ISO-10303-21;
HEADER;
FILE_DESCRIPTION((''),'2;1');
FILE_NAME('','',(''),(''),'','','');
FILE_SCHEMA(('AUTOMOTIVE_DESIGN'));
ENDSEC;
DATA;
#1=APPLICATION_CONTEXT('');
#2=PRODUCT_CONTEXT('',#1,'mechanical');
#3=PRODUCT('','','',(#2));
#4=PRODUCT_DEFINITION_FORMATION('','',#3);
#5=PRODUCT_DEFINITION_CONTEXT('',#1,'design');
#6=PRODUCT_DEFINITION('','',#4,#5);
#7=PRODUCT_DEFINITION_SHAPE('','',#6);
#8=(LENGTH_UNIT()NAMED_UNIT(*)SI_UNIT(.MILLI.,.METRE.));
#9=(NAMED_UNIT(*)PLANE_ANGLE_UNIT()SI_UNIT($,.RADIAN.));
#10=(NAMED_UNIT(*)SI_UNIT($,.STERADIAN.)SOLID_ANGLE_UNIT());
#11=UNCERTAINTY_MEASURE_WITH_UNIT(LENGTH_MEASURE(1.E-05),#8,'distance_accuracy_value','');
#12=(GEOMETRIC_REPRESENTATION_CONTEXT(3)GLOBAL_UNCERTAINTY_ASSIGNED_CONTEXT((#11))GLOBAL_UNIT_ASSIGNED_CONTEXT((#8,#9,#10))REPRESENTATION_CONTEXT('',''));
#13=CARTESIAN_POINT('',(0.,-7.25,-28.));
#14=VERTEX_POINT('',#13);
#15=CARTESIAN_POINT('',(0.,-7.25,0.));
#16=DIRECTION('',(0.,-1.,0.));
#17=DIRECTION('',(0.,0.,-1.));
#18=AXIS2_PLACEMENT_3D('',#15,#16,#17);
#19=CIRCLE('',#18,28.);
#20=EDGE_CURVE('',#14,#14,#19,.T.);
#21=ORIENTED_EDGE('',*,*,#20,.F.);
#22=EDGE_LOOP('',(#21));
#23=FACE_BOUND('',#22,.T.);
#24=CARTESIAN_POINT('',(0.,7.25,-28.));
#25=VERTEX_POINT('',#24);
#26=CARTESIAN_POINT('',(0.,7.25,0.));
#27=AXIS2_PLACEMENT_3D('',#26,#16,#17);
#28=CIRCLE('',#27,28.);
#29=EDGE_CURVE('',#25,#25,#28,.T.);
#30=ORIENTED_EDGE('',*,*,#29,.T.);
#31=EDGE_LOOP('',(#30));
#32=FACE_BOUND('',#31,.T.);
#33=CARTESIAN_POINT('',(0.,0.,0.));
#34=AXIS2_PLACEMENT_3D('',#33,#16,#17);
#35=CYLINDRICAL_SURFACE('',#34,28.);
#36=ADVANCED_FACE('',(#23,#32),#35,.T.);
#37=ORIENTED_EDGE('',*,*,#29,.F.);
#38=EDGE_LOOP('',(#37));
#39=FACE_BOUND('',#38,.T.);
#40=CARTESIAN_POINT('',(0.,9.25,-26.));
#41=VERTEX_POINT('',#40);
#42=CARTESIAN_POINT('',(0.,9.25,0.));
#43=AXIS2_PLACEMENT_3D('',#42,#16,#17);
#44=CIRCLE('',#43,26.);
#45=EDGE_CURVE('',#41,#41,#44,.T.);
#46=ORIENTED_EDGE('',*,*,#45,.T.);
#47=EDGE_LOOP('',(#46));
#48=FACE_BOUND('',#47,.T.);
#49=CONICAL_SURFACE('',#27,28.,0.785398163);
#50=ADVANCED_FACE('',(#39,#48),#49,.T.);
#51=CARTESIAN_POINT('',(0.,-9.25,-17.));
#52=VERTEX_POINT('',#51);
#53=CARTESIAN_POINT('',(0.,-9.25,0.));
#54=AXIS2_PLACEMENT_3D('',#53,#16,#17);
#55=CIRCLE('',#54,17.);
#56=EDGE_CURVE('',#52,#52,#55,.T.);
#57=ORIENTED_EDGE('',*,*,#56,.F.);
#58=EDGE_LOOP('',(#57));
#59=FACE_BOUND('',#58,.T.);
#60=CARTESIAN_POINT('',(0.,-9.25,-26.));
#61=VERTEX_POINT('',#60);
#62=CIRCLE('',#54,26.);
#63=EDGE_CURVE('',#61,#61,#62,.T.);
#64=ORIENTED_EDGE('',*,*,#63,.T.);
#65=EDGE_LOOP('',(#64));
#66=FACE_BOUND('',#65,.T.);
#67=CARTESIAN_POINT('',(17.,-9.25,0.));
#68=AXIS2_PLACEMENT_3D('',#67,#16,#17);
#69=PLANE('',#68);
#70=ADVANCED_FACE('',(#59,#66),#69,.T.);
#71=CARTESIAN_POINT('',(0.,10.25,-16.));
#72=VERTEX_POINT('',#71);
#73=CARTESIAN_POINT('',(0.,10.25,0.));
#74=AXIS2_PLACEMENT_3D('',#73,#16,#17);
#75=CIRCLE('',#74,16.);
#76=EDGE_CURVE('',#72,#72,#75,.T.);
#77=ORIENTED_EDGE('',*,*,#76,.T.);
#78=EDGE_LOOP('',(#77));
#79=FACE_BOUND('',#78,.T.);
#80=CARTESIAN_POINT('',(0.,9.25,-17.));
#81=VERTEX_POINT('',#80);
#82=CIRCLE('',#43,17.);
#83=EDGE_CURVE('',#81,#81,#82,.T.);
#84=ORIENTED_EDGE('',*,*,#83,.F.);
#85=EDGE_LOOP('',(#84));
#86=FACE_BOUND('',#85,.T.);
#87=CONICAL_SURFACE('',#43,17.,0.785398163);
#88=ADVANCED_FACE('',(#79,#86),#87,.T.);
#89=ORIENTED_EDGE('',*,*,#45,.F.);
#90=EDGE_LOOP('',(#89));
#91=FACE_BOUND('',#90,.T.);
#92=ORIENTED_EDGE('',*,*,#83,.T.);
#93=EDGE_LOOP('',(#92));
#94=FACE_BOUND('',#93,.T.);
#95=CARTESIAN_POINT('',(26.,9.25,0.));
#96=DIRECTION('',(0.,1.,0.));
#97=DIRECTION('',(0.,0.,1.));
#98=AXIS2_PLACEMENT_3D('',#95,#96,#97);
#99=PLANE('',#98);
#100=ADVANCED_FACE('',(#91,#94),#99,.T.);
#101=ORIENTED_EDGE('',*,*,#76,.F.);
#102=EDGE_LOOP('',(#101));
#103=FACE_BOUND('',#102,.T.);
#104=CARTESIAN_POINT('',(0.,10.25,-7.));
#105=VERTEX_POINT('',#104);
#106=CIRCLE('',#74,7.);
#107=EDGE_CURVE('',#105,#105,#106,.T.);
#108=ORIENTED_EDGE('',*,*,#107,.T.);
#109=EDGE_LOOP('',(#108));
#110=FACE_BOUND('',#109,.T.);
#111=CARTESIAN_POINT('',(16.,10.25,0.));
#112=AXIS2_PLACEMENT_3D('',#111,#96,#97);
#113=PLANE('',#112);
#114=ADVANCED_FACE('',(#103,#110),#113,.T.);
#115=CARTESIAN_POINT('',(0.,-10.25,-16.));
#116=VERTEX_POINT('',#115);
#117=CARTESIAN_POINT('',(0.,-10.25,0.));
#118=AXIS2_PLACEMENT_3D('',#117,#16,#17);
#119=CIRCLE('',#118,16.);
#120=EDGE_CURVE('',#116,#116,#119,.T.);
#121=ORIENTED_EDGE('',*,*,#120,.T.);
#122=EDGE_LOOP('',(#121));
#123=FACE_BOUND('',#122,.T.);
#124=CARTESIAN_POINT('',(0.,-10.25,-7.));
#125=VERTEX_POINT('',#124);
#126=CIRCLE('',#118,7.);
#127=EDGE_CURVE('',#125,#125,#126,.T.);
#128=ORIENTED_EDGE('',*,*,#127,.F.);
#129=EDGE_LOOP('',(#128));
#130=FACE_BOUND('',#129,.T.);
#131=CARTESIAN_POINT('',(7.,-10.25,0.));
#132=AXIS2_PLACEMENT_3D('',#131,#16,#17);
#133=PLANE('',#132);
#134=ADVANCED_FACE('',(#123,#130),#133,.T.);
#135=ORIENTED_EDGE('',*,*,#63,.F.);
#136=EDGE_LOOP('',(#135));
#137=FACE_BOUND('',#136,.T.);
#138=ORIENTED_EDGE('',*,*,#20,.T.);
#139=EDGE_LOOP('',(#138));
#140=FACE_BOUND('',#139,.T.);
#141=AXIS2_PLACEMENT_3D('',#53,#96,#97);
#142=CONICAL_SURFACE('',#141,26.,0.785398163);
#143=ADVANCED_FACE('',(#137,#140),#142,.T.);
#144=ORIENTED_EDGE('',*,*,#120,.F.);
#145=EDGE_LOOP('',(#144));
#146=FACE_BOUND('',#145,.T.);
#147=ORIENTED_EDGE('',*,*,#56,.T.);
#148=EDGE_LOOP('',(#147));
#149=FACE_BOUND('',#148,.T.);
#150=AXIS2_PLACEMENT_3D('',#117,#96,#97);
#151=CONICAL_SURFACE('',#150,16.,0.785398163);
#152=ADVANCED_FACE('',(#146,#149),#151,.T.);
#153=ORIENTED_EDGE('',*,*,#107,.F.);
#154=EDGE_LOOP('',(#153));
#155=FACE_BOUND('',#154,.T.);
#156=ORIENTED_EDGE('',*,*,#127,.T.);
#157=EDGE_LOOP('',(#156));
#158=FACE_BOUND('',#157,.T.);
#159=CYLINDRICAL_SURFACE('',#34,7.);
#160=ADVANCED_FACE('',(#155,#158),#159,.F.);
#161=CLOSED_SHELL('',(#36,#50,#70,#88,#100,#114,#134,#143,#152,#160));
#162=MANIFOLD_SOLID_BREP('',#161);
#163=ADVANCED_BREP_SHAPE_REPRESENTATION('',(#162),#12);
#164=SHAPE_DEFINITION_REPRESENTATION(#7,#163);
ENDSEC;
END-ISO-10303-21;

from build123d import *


with BuildPart() as part:
    # Esquisse1 → Révolution1 (revolve)
    with BuildSketch(Plane.XY, mode=Mode.PRIVATE) as r_volution1_sk:
        Polygon((7, 10.25), (7, -10.25), (16, -10.25), (17, -9.25), (26, -9.25), (28, -7.25), (28, 7.25), (26, 9.25), (17, 9.25), (16, 10.25), align=None)
    revolve(r_volution1_sk.sketch.rotate(Axis((0, 0, 0), (0, 1, 0)), 90), axis=Axis((0, 0, 0), (0, 1, 0)))


solid = part.part
